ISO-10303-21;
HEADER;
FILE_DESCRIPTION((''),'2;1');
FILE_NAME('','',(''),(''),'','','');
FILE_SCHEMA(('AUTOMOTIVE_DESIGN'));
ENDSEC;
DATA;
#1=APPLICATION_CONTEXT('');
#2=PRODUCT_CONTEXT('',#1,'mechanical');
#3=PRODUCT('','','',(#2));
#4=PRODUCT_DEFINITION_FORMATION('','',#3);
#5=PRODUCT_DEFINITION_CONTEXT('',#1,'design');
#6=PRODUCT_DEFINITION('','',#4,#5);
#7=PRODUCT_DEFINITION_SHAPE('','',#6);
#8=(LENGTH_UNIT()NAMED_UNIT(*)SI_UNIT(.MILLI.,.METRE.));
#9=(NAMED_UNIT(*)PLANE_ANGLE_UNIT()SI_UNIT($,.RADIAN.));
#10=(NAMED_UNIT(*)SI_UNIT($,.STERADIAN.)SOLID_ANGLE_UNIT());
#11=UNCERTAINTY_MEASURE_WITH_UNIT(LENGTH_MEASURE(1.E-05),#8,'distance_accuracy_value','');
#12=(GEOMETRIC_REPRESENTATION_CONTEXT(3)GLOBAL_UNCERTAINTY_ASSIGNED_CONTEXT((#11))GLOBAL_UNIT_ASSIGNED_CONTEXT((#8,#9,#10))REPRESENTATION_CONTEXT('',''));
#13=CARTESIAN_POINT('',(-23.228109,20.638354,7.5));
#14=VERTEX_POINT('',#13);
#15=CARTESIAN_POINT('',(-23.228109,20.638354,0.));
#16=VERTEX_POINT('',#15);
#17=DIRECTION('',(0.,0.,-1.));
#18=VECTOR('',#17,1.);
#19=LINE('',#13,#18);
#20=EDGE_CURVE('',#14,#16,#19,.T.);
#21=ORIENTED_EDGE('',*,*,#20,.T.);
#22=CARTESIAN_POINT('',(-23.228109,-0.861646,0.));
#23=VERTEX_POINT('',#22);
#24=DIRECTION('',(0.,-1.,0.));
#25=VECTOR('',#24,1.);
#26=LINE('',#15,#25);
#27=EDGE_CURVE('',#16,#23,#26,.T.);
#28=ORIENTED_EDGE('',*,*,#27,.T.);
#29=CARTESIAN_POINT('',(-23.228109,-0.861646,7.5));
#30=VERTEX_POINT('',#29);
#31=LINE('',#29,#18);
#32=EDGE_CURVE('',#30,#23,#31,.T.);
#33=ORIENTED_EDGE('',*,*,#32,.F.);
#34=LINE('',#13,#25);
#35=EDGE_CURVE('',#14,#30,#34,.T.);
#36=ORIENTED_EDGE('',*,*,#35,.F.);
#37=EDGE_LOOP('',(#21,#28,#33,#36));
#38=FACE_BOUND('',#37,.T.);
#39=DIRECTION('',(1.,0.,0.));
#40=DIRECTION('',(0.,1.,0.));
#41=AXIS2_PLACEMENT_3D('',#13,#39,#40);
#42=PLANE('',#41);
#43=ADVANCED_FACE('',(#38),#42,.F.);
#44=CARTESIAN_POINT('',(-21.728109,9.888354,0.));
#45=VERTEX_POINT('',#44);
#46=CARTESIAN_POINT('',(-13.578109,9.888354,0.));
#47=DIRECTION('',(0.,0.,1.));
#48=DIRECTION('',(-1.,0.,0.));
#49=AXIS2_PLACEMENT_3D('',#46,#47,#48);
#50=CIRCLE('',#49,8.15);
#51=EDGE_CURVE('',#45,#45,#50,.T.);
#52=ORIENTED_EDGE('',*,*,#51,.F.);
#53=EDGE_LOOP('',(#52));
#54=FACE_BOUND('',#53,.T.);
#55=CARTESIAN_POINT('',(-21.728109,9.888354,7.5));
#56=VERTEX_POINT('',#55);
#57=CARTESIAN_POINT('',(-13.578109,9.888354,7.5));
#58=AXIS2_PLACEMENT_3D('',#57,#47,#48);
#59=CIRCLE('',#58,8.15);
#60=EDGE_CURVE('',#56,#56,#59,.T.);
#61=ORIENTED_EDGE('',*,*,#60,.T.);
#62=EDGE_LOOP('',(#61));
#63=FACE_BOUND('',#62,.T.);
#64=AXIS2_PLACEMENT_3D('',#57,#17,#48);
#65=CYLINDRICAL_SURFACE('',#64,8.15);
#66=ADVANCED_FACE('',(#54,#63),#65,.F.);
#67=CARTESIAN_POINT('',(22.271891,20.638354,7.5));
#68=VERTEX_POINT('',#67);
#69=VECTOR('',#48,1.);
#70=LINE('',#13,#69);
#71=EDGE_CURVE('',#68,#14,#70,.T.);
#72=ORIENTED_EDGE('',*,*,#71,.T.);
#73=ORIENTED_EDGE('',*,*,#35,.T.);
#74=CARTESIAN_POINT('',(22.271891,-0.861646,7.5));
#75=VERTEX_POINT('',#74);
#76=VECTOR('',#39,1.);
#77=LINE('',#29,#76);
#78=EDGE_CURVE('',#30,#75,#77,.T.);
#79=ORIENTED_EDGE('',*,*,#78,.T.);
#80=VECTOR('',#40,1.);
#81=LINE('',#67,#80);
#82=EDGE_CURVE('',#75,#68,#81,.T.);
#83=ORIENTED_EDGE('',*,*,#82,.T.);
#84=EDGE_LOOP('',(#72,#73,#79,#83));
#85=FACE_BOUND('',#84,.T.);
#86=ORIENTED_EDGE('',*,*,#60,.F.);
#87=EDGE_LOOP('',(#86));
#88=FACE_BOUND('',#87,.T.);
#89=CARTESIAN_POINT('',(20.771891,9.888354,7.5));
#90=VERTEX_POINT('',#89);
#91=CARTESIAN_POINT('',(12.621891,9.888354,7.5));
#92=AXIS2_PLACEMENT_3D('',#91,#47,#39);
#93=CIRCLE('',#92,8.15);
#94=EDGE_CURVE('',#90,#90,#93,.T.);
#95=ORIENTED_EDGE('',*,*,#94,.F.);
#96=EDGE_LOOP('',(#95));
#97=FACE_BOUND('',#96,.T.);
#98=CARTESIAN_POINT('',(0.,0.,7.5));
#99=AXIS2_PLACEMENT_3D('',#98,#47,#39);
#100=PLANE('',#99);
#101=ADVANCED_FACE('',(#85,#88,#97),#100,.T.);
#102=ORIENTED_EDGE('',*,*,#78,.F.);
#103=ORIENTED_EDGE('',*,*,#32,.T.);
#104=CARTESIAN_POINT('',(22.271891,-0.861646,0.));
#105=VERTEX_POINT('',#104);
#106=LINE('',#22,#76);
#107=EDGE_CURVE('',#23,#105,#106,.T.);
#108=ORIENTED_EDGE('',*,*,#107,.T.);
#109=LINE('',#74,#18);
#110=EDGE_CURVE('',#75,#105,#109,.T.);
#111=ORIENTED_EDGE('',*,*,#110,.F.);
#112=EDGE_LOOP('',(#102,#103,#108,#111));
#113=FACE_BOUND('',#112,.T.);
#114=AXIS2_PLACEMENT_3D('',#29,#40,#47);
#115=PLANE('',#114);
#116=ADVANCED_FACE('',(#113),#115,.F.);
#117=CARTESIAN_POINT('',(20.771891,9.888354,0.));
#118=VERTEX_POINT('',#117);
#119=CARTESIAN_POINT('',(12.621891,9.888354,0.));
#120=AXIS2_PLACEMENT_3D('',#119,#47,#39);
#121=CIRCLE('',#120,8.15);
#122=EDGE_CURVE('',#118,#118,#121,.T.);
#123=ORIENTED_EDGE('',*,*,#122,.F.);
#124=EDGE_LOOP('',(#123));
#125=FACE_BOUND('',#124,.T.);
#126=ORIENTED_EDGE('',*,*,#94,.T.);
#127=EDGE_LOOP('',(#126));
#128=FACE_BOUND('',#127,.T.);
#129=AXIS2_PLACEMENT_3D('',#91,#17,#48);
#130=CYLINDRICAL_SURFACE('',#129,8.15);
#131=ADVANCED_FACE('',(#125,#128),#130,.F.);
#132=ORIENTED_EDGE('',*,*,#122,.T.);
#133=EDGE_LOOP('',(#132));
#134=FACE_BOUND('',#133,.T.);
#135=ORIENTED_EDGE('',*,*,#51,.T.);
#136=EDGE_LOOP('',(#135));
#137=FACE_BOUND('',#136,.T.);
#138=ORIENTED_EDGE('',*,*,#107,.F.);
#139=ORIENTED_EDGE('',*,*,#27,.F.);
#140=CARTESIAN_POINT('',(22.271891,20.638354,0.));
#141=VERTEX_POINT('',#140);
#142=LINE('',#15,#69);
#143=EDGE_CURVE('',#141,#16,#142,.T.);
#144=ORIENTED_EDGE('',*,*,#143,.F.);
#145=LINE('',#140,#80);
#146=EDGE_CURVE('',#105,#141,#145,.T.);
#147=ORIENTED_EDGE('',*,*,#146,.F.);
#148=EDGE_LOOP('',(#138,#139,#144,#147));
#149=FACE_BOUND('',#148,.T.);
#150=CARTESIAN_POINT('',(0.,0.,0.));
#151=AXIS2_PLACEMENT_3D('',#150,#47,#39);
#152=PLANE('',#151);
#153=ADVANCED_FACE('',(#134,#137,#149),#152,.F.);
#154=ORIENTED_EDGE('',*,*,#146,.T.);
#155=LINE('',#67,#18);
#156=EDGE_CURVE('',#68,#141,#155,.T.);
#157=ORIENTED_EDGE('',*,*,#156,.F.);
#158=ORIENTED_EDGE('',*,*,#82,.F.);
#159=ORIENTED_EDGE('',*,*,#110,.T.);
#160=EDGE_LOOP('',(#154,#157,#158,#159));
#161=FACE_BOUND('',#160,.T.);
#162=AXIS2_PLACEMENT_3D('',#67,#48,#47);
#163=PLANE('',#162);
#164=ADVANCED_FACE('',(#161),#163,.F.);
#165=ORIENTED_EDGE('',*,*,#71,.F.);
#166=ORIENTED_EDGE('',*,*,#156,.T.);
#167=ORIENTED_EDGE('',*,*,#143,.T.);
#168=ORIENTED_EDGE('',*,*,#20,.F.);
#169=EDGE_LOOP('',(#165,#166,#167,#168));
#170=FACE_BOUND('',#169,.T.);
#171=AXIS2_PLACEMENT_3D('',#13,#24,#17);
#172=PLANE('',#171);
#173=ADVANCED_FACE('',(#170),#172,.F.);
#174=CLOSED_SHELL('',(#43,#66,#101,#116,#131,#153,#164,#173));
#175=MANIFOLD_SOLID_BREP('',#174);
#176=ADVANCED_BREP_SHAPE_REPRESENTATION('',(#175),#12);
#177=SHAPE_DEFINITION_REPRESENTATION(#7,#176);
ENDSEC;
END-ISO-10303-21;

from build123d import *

# Parameters (mm, degrees)
SKETCH2_W           = 45.5
SKETCH2_H           = 21.5
SKETCH2_R           = 8.15
BOSS_EXTRUDE1_DEPTH = 7.5


with BuildPart() as part:
    # Sketch2 → Boss-Extrude1 (new body)
    with BuildSketch(Plane.XY):
        with Locations((-0.478108581, 9.888353765)):
            Rectangle(SKETCH2_W, SKETCH2_H)
        with Locations((12.621891419, 9.888353765)):
            Circle(SKETCH2_R, mode=Mode.SUBTRACT)
        with Locations((-13.578108581, 9.888353765)):
            Circle(SKETCH2_R, mode=Mode.SUBTRACT)
    extrude(amount=BOSS_EXTRUDE1_DEPTH)


solid = part.part
